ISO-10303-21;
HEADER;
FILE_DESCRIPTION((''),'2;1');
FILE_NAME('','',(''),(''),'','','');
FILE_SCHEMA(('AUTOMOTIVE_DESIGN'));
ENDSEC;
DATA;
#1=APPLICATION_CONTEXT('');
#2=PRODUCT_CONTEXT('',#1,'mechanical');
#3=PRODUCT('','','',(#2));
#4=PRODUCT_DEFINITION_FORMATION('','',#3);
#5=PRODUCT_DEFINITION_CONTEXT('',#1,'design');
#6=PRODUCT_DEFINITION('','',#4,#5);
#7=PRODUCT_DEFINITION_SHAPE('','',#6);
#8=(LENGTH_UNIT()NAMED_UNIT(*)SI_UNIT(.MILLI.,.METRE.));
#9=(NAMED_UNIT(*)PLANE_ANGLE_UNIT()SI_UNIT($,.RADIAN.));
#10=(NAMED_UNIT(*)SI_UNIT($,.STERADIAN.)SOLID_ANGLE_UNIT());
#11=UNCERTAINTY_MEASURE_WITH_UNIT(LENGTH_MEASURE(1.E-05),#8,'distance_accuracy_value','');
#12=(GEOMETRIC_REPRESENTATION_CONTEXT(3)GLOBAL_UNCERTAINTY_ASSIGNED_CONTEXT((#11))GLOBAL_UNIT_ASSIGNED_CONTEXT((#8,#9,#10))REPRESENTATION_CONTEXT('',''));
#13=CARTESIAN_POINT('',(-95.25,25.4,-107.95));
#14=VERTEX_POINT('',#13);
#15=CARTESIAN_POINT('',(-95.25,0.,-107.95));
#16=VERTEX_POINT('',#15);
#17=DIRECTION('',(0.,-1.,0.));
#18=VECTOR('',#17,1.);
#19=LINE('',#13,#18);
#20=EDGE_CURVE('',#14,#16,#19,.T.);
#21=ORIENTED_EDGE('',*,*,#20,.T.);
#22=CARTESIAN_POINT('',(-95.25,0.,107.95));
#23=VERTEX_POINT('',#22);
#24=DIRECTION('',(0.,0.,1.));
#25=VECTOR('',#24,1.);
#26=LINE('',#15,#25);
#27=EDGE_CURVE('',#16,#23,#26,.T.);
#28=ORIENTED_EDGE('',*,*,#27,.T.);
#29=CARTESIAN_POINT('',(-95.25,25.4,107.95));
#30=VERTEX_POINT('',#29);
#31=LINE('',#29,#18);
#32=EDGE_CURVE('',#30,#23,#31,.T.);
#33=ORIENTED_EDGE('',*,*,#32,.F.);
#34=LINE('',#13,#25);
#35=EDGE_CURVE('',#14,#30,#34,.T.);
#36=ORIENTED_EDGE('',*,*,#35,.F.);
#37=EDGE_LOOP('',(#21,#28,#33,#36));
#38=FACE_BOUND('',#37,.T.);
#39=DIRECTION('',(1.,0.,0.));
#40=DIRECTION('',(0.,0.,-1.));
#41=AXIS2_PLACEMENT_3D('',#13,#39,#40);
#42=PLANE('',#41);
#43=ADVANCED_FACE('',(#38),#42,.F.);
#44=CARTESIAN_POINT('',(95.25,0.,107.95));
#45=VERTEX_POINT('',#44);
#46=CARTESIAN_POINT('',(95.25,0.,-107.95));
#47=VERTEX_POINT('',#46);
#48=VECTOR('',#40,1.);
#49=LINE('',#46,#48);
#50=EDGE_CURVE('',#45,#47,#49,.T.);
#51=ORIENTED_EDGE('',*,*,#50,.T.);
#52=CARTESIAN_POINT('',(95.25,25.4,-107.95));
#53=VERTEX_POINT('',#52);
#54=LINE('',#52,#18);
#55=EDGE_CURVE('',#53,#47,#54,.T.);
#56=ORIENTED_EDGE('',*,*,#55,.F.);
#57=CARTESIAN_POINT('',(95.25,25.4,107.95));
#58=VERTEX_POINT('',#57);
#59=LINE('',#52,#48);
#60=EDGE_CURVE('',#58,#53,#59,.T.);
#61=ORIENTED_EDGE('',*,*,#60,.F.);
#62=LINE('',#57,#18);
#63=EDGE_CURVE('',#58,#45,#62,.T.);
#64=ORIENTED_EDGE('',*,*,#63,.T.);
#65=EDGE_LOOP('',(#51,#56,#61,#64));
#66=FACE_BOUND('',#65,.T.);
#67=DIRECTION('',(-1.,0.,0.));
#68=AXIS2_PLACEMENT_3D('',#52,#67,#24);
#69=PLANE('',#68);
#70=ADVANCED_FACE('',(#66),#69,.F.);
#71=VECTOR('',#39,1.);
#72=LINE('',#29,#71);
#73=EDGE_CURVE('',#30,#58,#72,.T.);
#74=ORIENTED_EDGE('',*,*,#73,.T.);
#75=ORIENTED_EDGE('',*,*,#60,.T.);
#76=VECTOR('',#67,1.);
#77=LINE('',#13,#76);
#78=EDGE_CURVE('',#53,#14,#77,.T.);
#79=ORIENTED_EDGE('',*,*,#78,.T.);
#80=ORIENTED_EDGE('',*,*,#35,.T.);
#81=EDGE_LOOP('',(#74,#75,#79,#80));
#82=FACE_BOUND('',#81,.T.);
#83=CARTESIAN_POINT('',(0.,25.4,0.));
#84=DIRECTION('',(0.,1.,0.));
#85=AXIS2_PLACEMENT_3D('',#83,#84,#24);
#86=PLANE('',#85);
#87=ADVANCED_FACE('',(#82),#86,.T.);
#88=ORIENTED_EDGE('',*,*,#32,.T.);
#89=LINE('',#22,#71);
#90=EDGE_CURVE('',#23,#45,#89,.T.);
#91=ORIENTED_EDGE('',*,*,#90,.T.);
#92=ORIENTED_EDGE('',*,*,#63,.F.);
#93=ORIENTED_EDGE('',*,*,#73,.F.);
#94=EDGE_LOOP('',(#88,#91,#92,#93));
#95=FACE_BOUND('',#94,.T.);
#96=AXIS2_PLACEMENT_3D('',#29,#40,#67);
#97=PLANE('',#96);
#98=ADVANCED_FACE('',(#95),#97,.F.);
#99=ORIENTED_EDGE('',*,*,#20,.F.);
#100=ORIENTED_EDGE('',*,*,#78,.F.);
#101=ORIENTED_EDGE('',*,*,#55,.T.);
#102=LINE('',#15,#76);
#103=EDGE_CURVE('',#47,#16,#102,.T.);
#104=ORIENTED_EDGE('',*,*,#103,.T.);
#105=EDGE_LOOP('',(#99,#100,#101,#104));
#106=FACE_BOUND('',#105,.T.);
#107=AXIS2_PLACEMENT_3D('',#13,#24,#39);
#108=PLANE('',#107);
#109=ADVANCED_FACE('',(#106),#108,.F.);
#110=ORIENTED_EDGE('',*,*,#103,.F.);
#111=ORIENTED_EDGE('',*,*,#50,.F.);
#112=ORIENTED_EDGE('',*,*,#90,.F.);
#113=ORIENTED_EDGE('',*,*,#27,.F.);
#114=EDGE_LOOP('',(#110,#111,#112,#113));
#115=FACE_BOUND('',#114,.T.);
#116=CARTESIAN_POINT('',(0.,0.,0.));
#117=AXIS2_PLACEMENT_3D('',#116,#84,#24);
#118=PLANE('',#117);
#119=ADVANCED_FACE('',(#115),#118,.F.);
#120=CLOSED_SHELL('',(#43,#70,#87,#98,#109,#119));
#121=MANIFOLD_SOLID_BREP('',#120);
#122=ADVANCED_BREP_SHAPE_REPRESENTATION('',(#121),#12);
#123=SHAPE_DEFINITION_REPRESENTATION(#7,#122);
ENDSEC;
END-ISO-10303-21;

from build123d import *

# Parameters (mm, degrees)
SKETCH1_W           = 190.5
SKETCH1_H           = 215.9
BOSS_EXTRUDE1_DEPTH = 25.4


with BuildPart() as part:
    # Sketch1 → Boss-Extrude1 (new body)
    with BuildSketch(Plane(origin=(0, 0, 0), x_dir=(1, 0, 0), z_dir=(0, 1, 0))):
        Rectangle(SKETCH1_W, SKETCH1_H)
    extrude(amount=BOSS_EXTRUDE1_DEPTH)


solid = part.part
